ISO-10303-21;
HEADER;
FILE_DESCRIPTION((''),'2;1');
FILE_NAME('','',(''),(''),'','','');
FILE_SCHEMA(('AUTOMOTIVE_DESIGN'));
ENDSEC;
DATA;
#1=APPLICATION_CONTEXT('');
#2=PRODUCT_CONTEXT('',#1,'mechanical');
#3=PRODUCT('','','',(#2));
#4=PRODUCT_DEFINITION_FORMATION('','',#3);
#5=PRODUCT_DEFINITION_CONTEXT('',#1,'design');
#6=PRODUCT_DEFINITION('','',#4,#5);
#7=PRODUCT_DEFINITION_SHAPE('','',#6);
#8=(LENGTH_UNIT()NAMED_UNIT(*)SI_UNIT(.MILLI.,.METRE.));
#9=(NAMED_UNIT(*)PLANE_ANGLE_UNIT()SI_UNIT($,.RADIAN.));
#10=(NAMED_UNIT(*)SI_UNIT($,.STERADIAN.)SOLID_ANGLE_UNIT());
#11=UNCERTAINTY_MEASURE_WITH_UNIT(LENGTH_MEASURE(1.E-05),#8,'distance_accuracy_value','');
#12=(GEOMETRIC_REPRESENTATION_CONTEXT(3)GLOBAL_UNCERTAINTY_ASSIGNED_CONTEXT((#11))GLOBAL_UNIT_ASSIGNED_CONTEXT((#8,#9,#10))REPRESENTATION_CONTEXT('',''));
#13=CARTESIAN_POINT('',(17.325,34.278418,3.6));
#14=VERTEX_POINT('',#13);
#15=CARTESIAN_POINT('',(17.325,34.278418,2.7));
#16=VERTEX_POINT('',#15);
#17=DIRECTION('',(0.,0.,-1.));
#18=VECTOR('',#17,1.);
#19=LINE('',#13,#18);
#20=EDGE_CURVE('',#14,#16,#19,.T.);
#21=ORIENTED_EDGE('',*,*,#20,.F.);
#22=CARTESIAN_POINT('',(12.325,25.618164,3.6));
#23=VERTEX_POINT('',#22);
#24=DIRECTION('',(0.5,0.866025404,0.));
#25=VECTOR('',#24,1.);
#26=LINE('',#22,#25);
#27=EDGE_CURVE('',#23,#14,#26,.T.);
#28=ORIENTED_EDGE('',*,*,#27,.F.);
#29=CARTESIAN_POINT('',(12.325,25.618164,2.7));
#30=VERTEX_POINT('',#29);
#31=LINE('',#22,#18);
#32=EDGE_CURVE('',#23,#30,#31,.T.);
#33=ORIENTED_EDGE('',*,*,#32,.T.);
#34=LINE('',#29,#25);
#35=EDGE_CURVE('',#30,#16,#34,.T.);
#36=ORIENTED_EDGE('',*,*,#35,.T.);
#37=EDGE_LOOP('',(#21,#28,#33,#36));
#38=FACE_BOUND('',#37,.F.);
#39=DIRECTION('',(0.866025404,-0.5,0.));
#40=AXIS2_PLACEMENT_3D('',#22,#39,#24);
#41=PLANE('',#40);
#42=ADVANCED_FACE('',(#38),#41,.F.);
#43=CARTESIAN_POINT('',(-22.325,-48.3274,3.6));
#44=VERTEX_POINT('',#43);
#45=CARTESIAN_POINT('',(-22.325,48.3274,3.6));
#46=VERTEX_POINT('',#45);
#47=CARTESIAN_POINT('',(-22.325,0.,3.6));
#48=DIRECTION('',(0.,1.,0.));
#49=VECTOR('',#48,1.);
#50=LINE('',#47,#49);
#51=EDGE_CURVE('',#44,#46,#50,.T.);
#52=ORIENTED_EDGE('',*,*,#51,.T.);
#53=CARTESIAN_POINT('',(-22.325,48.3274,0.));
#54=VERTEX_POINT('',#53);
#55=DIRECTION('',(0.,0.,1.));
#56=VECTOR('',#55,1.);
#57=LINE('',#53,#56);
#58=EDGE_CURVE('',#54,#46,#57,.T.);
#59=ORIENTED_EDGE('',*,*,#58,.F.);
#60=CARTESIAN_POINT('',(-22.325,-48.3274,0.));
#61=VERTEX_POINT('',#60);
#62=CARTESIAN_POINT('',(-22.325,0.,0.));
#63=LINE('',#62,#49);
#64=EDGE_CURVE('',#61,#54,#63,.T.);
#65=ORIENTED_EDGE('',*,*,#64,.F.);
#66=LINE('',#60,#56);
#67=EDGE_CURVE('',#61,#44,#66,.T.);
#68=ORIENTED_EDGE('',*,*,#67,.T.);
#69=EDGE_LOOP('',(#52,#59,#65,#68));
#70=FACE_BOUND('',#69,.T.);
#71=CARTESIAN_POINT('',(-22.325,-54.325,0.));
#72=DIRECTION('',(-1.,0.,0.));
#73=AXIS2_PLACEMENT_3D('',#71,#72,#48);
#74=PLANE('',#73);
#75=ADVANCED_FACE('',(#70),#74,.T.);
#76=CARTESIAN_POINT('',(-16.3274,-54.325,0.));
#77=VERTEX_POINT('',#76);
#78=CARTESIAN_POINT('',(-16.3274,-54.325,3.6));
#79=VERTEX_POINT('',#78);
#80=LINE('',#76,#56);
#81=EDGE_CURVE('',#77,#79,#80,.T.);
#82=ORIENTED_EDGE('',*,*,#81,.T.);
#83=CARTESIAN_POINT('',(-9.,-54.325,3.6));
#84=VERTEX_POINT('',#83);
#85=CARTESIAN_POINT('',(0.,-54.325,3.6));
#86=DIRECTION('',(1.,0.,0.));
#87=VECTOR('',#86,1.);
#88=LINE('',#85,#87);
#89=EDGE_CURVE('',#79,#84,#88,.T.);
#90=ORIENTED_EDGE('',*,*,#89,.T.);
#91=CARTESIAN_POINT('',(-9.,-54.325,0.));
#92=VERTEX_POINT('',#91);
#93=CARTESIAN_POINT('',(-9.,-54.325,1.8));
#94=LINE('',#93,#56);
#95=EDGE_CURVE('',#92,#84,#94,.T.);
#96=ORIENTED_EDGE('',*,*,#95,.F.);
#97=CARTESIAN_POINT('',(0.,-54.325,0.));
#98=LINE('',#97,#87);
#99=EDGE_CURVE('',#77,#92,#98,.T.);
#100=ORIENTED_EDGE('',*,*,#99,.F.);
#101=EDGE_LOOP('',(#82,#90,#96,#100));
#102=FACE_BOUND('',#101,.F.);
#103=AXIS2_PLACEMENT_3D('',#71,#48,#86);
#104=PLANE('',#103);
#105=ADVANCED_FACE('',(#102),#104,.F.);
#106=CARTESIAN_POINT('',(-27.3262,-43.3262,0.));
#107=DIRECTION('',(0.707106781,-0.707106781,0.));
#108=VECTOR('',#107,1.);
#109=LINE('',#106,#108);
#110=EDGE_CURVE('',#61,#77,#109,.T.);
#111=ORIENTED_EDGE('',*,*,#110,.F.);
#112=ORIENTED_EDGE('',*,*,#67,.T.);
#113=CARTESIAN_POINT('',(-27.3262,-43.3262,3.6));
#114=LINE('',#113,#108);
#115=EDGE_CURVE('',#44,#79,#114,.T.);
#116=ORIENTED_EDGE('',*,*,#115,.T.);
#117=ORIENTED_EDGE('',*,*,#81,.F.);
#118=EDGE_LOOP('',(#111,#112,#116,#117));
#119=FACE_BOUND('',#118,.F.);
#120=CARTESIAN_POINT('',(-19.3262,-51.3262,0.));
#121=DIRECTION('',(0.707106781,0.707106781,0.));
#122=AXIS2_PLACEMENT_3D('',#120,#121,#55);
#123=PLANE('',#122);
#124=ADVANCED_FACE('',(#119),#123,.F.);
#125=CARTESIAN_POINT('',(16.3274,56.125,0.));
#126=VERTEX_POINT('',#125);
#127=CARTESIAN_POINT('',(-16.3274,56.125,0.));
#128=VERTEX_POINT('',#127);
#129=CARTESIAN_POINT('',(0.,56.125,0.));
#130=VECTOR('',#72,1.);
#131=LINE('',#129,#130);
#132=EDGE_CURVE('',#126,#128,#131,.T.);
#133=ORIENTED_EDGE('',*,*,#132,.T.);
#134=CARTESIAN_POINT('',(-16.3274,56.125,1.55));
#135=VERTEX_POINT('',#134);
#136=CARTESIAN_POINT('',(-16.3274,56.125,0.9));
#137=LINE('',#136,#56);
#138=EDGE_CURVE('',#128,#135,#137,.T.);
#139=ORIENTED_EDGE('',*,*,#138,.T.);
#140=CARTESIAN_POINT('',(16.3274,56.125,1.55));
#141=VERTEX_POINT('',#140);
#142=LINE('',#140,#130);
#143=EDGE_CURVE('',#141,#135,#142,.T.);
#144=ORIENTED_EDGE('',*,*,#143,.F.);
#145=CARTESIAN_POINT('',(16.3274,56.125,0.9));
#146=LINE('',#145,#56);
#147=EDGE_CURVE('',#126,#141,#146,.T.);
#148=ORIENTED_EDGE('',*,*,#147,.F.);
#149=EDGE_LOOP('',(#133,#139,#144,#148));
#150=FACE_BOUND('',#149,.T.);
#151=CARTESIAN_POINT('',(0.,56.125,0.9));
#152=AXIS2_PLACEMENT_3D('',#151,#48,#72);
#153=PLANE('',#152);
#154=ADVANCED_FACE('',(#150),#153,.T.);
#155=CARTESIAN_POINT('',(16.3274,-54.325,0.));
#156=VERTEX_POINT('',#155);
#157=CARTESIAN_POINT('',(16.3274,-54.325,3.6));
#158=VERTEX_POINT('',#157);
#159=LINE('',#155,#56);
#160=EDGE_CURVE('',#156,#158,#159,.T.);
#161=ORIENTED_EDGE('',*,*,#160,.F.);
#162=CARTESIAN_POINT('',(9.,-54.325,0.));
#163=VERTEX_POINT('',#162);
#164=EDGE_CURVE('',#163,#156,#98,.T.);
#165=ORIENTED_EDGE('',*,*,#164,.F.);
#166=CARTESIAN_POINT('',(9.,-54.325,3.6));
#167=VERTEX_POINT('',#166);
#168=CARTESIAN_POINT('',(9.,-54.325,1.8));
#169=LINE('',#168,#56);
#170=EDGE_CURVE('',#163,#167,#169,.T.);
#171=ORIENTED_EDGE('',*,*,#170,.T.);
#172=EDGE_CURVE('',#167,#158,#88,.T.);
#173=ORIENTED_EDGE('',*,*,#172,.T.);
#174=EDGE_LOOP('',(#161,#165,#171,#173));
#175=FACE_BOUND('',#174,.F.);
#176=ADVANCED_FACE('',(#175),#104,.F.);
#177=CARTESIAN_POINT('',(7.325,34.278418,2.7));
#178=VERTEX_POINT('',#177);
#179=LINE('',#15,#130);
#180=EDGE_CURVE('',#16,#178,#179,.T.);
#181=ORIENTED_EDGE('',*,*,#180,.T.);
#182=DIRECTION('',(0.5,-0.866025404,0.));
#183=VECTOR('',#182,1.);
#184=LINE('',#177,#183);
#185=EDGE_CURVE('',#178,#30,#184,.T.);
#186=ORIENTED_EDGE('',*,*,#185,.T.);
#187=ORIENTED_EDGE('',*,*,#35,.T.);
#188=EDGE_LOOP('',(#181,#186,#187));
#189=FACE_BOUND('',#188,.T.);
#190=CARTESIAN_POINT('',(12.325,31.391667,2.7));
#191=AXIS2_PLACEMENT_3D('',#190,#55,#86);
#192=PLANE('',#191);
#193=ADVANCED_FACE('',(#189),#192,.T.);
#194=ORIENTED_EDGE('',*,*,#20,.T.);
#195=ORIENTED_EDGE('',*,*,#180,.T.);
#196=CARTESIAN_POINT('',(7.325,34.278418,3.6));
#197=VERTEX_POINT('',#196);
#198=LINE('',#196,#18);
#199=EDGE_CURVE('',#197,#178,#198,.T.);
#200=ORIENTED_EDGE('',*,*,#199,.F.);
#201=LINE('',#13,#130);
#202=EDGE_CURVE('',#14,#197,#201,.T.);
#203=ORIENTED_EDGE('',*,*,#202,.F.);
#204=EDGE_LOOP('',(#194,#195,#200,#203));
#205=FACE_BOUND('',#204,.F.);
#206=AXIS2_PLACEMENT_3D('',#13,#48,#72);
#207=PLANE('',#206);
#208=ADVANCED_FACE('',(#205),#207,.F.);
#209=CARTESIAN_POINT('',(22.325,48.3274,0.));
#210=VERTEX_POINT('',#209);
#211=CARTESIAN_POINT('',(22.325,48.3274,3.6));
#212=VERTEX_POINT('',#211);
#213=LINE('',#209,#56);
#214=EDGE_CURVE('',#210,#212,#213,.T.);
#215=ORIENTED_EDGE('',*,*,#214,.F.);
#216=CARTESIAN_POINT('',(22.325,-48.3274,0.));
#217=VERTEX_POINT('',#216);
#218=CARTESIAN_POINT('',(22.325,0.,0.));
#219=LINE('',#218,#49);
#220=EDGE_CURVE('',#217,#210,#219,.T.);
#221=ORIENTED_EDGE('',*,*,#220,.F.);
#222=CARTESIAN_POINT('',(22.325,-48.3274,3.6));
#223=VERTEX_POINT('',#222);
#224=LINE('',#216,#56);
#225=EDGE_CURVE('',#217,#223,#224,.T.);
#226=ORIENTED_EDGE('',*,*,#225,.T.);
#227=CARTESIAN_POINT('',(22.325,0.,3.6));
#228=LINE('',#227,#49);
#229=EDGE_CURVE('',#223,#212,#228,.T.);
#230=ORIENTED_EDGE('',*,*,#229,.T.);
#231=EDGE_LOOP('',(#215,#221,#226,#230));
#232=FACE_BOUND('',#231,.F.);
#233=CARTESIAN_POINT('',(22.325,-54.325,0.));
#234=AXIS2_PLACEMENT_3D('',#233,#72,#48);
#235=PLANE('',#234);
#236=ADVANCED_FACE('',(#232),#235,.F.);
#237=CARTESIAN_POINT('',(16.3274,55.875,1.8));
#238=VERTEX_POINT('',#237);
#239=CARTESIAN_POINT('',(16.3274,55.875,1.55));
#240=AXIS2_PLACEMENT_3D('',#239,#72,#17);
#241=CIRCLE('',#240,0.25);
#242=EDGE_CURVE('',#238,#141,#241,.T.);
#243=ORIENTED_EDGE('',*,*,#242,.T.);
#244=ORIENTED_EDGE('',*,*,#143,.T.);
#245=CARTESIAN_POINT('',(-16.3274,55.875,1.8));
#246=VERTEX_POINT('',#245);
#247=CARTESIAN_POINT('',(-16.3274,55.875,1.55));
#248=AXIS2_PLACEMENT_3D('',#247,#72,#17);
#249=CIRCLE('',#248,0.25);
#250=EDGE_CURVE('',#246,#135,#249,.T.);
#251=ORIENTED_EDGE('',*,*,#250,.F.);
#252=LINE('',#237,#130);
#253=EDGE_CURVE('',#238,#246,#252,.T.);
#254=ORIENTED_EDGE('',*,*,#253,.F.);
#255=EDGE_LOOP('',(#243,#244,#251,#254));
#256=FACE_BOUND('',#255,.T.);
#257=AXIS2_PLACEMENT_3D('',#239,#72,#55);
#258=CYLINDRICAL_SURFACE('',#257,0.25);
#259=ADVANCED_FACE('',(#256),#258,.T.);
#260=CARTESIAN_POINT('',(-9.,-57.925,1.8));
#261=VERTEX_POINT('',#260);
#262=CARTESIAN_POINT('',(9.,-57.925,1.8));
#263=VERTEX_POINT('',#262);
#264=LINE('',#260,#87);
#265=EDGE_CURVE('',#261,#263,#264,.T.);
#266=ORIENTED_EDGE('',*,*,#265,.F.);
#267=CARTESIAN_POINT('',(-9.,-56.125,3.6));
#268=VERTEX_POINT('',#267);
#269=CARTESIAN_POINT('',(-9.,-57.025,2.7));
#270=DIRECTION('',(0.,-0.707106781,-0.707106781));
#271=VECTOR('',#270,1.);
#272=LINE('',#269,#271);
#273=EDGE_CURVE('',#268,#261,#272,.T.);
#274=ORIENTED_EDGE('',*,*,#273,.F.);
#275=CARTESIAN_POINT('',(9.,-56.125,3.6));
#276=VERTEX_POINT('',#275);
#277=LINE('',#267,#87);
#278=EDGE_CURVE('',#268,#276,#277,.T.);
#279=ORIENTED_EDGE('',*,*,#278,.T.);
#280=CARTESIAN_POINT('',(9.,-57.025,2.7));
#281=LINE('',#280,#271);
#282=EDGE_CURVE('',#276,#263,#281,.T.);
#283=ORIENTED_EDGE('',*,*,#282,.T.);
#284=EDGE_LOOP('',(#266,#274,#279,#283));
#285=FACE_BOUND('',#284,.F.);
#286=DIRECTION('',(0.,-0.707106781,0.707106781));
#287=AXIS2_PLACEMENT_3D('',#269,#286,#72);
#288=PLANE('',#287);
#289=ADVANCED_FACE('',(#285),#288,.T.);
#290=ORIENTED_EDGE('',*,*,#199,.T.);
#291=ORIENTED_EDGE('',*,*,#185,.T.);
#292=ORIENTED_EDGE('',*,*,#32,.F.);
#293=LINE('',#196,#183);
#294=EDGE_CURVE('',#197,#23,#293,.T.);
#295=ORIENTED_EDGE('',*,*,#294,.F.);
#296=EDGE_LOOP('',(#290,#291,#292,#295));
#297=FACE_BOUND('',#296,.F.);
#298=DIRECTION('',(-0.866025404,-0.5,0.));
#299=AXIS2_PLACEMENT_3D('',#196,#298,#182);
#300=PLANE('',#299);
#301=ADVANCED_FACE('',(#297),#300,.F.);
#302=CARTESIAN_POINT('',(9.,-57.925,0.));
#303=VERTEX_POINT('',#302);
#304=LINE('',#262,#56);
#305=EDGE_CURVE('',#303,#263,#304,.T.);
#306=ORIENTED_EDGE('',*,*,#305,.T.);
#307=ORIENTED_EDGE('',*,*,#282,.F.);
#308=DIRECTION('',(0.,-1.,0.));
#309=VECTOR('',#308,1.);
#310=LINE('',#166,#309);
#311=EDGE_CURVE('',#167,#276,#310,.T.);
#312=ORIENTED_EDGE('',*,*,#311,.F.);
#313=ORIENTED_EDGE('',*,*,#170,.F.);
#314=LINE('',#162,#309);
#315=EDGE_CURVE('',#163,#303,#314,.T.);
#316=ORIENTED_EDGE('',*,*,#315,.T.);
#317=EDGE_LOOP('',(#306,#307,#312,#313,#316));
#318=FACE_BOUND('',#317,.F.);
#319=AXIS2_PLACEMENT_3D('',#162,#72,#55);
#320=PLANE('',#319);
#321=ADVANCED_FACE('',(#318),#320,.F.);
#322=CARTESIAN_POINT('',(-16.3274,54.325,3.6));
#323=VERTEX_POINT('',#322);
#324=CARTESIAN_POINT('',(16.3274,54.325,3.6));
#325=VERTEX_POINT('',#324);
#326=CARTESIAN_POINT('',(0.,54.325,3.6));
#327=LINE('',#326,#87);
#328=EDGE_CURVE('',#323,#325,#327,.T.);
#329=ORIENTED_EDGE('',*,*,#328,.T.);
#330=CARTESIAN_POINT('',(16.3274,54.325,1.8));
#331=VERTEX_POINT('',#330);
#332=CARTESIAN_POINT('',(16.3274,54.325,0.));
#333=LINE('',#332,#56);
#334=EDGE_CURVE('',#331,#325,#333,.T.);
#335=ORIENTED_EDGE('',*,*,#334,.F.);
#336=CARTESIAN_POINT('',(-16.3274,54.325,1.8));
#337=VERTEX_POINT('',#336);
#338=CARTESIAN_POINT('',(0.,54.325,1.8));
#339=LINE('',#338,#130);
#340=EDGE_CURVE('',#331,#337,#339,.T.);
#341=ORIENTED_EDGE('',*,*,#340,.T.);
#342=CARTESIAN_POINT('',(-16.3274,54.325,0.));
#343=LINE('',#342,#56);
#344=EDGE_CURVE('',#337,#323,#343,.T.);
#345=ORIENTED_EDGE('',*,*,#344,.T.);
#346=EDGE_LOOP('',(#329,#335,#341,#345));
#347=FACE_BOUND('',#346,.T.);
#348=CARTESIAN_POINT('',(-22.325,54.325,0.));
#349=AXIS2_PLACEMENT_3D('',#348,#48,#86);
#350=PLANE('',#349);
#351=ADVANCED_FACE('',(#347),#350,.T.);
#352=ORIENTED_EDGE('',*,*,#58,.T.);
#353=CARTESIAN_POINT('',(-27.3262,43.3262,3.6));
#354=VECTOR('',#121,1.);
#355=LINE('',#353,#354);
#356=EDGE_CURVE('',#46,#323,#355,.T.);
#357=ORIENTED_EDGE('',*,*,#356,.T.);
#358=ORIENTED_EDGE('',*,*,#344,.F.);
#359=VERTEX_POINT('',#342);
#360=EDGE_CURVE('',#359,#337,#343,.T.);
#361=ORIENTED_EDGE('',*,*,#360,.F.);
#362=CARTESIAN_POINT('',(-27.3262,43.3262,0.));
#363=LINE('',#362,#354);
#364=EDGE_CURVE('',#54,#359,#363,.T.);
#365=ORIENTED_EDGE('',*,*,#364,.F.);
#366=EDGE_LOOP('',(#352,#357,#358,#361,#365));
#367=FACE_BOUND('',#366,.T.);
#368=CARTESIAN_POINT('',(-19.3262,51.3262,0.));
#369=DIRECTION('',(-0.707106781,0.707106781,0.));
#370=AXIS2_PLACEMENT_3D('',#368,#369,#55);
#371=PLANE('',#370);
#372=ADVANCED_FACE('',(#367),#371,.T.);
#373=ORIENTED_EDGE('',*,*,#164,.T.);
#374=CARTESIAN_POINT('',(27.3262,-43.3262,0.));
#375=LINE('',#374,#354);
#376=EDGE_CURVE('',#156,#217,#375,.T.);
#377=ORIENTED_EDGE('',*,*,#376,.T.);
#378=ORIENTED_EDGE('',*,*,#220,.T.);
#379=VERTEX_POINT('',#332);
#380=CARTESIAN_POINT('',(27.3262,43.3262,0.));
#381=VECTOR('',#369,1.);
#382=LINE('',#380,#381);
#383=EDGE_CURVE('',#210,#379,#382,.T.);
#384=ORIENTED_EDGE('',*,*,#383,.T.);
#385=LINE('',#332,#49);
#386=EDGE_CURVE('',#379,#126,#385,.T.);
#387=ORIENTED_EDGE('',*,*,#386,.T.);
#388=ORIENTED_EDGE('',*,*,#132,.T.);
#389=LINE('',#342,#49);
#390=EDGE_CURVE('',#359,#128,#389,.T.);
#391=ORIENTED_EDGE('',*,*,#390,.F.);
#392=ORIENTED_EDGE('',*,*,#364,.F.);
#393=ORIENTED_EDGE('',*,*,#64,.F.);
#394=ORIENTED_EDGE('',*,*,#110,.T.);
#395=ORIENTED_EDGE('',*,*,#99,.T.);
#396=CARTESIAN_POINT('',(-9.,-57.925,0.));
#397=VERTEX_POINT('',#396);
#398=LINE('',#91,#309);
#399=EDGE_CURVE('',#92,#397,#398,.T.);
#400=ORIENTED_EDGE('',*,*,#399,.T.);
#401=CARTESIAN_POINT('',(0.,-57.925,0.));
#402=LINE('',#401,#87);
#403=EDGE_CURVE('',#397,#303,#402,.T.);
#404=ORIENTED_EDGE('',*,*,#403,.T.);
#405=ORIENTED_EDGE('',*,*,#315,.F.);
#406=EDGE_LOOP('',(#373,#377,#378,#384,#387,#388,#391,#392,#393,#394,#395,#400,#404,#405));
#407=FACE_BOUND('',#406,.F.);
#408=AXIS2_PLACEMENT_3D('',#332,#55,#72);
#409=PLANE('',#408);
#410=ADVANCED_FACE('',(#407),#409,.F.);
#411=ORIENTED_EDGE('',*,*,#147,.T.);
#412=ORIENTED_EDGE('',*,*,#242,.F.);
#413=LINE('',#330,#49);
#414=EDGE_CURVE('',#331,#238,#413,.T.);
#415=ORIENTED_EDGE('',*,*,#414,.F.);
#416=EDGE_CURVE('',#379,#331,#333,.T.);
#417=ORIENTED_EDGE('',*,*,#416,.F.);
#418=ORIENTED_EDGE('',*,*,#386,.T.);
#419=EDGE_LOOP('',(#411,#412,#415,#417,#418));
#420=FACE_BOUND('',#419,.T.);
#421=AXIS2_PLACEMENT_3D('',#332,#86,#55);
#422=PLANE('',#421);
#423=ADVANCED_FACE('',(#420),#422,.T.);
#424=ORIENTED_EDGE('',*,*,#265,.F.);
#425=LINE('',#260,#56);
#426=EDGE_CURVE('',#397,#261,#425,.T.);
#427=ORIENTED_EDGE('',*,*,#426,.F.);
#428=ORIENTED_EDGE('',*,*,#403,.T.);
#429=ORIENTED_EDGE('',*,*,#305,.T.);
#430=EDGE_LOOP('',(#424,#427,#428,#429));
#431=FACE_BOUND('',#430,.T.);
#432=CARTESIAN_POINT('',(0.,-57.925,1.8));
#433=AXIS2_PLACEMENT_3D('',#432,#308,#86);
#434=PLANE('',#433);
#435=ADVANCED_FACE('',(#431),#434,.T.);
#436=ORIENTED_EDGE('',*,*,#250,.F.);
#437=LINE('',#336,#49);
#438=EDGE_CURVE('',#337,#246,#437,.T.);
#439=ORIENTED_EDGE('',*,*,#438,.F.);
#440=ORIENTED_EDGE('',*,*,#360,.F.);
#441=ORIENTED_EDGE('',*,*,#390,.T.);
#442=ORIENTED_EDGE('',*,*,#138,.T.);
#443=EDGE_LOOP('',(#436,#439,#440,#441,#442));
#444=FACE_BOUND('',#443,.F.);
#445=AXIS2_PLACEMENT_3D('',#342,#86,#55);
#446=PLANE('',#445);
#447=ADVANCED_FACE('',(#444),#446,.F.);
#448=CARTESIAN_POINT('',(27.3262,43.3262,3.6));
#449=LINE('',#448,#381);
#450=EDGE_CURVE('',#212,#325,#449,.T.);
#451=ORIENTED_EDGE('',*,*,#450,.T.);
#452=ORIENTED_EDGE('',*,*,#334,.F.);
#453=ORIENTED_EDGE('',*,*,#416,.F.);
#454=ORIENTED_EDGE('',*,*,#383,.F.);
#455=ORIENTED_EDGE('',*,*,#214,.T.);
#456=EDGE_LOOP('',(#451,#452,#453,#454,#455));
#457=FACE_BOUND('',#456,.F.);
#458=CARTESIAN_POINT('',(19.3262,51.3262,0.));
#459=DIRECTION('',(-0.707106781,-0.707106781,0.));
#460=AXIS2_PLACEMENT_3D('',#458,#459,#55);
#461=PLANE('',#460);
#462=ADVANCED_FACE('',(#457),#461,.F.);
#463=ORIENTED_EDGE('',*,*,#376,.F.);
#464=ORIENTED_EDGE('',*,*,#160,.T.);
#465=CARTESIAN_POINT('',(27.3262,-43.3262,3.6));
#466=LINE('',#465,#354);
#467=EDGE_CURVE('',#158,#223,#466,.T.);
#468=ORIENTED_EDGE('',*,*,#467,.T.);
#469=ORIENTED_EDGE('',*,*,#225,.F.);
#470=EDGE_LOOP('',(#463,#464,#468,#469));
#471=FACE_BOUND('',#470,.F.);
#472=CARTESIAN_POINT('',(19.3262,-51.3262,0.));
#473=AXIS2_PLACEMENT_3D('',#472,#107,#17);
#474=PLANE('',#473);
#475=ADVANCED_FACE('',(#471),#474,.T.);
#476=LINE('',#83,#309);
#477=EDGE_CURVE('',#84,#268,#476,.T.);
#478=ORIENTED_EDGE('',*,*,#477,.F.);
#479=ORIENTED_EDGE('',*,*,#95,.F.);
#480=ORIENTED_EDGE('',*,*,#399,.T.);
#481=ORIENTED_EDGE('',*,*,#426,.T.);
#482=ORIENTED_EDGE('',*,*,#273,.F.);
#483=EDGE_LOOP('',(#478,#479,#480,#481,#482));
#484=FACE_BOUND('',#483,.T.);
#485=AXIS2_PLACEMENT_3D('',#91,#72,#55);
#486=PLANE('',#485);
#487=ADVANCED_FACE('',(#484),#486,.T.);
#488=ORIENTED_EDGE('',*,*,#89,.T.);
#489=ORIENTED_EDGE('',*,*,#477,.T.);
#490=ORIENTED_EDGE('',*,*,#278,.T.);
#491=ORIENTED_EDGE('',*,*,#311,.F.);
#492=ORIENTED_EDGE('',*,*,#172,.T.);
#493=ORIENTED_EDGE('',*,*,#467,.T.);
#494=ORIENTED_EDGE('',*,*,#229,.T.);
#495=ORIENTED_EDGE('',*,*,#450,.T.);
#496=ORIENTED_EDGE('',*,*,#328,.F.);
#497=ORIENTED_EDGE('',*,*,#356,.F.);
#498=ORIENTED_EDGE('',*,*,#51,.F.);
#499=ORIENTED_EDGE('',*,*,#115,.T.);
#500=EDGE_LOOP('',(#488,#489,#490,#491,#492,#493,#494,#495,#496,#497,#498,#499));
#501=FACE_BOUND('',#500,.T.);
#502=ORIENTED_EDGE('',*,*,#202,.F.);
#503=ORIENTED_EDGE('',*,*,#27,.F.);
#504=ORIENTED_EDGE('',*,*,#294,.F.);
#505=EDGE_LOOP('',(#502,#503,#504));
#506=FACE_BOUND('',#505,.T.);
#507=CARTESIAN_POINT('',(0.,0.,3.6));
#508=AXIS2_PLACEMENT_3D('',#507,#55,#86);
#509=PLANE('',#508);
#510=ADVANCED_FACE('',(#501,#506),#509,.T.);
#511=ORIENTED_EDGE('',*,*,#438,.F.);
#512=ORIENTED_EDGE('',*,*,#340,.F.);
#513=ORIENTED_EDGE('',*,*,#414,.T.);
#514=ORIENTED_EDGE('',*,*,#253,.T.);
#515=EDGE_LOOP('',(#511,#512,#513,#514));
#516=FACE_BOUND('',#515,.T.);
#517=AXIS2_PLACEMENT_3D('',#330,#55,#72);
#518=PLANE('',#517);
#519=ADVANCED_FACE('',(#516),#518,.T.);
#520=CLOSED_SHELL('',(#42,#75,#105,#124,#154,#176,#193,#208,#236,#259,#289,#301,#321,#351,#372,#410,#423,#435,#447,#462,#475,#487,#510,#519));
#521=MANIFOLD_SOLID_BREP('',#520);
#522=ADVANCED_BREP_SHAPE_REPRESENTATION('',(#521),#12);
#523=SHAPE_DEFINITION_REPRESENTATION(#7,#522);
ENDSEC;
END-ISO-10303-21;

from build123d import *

# Parameters (mm, degrees)
F1_W      = 44.65
F1_H      = 108.65
F2_DEPTH  = 3.6
F3_SIZE   = 5.9976
F4_W      = 32.6548
F4_H      = 1.8
F5_DEPTH  = 1.8
F6_R      = 0.25
F7_W      = 18
F7_H      = 3.6
F8_DEPTH  = 3.6
F9_SIZE   = 1.8
F11_DEPTH = 0.9


with BuildPart() as f2:
    # F1 (on Top) → F2 (new body)
    with BuildSketch(Plane.XY):
        Rectangle(F1_W, F1_H)
    extrude(amount=F2_DEPTH)

    # F3
    f3_edges = [f2.edges().sort_by_distance(p)[0] for p in [
        (22.325, -54.325, 1.8),
        (-22.325, -54.325, 1.8),
        (-22.325, 54.325, 1.8),
        (22.325, 54.325, 1.8),
    ]]
    chamfer(f3_edges, length=F3_SIZE)

    # F4 (on face) → F5 (join)
    with BuildSketch(Plane(origin=(0, 54.325, 0), x_dir=(-1, 0, 0), z_dir=(0, 1, 0))):
        with Locations((0, 0.9)):
            Rectangle(F4_W, F4_H)
    extrude(amount=F5_DEPTH)

    # F6
    f6_edges = [f2.edges().sort_by_distance(p)[0] for p in [
        (0, 56.125, 1.8),
    ]]
    fillet(f6_edges, radius=F6_R)

    # F7 (on face) → F8 (join)
    with BuildSketch(Plane.XZ.offset(54.325)):
        with Locations((0, 1.8)):
            Rectangle(F7_W, F7_H)
    extrude(amount=F8_DEPTH)

    # F9
    f9_edges = [f2.edges().sort_by_distance(p)[0] for p in [
        (0, -57.925, 3.6),
    ]]
    chamfer(f9_edges, length=F9_SIZE)

    # F10 (on face) → F11 (cut)
    with BuildSketch(Plane.XY.offset(3.6)):
        Polygon((17.325, 34.2784180126), (7.325, 34.2784180126), (12.325, 25.6181639748), align=None)
    extrude(amount=-F11_DEPTH, mode=Mode.SUBTRACT)


solid = f2.part
